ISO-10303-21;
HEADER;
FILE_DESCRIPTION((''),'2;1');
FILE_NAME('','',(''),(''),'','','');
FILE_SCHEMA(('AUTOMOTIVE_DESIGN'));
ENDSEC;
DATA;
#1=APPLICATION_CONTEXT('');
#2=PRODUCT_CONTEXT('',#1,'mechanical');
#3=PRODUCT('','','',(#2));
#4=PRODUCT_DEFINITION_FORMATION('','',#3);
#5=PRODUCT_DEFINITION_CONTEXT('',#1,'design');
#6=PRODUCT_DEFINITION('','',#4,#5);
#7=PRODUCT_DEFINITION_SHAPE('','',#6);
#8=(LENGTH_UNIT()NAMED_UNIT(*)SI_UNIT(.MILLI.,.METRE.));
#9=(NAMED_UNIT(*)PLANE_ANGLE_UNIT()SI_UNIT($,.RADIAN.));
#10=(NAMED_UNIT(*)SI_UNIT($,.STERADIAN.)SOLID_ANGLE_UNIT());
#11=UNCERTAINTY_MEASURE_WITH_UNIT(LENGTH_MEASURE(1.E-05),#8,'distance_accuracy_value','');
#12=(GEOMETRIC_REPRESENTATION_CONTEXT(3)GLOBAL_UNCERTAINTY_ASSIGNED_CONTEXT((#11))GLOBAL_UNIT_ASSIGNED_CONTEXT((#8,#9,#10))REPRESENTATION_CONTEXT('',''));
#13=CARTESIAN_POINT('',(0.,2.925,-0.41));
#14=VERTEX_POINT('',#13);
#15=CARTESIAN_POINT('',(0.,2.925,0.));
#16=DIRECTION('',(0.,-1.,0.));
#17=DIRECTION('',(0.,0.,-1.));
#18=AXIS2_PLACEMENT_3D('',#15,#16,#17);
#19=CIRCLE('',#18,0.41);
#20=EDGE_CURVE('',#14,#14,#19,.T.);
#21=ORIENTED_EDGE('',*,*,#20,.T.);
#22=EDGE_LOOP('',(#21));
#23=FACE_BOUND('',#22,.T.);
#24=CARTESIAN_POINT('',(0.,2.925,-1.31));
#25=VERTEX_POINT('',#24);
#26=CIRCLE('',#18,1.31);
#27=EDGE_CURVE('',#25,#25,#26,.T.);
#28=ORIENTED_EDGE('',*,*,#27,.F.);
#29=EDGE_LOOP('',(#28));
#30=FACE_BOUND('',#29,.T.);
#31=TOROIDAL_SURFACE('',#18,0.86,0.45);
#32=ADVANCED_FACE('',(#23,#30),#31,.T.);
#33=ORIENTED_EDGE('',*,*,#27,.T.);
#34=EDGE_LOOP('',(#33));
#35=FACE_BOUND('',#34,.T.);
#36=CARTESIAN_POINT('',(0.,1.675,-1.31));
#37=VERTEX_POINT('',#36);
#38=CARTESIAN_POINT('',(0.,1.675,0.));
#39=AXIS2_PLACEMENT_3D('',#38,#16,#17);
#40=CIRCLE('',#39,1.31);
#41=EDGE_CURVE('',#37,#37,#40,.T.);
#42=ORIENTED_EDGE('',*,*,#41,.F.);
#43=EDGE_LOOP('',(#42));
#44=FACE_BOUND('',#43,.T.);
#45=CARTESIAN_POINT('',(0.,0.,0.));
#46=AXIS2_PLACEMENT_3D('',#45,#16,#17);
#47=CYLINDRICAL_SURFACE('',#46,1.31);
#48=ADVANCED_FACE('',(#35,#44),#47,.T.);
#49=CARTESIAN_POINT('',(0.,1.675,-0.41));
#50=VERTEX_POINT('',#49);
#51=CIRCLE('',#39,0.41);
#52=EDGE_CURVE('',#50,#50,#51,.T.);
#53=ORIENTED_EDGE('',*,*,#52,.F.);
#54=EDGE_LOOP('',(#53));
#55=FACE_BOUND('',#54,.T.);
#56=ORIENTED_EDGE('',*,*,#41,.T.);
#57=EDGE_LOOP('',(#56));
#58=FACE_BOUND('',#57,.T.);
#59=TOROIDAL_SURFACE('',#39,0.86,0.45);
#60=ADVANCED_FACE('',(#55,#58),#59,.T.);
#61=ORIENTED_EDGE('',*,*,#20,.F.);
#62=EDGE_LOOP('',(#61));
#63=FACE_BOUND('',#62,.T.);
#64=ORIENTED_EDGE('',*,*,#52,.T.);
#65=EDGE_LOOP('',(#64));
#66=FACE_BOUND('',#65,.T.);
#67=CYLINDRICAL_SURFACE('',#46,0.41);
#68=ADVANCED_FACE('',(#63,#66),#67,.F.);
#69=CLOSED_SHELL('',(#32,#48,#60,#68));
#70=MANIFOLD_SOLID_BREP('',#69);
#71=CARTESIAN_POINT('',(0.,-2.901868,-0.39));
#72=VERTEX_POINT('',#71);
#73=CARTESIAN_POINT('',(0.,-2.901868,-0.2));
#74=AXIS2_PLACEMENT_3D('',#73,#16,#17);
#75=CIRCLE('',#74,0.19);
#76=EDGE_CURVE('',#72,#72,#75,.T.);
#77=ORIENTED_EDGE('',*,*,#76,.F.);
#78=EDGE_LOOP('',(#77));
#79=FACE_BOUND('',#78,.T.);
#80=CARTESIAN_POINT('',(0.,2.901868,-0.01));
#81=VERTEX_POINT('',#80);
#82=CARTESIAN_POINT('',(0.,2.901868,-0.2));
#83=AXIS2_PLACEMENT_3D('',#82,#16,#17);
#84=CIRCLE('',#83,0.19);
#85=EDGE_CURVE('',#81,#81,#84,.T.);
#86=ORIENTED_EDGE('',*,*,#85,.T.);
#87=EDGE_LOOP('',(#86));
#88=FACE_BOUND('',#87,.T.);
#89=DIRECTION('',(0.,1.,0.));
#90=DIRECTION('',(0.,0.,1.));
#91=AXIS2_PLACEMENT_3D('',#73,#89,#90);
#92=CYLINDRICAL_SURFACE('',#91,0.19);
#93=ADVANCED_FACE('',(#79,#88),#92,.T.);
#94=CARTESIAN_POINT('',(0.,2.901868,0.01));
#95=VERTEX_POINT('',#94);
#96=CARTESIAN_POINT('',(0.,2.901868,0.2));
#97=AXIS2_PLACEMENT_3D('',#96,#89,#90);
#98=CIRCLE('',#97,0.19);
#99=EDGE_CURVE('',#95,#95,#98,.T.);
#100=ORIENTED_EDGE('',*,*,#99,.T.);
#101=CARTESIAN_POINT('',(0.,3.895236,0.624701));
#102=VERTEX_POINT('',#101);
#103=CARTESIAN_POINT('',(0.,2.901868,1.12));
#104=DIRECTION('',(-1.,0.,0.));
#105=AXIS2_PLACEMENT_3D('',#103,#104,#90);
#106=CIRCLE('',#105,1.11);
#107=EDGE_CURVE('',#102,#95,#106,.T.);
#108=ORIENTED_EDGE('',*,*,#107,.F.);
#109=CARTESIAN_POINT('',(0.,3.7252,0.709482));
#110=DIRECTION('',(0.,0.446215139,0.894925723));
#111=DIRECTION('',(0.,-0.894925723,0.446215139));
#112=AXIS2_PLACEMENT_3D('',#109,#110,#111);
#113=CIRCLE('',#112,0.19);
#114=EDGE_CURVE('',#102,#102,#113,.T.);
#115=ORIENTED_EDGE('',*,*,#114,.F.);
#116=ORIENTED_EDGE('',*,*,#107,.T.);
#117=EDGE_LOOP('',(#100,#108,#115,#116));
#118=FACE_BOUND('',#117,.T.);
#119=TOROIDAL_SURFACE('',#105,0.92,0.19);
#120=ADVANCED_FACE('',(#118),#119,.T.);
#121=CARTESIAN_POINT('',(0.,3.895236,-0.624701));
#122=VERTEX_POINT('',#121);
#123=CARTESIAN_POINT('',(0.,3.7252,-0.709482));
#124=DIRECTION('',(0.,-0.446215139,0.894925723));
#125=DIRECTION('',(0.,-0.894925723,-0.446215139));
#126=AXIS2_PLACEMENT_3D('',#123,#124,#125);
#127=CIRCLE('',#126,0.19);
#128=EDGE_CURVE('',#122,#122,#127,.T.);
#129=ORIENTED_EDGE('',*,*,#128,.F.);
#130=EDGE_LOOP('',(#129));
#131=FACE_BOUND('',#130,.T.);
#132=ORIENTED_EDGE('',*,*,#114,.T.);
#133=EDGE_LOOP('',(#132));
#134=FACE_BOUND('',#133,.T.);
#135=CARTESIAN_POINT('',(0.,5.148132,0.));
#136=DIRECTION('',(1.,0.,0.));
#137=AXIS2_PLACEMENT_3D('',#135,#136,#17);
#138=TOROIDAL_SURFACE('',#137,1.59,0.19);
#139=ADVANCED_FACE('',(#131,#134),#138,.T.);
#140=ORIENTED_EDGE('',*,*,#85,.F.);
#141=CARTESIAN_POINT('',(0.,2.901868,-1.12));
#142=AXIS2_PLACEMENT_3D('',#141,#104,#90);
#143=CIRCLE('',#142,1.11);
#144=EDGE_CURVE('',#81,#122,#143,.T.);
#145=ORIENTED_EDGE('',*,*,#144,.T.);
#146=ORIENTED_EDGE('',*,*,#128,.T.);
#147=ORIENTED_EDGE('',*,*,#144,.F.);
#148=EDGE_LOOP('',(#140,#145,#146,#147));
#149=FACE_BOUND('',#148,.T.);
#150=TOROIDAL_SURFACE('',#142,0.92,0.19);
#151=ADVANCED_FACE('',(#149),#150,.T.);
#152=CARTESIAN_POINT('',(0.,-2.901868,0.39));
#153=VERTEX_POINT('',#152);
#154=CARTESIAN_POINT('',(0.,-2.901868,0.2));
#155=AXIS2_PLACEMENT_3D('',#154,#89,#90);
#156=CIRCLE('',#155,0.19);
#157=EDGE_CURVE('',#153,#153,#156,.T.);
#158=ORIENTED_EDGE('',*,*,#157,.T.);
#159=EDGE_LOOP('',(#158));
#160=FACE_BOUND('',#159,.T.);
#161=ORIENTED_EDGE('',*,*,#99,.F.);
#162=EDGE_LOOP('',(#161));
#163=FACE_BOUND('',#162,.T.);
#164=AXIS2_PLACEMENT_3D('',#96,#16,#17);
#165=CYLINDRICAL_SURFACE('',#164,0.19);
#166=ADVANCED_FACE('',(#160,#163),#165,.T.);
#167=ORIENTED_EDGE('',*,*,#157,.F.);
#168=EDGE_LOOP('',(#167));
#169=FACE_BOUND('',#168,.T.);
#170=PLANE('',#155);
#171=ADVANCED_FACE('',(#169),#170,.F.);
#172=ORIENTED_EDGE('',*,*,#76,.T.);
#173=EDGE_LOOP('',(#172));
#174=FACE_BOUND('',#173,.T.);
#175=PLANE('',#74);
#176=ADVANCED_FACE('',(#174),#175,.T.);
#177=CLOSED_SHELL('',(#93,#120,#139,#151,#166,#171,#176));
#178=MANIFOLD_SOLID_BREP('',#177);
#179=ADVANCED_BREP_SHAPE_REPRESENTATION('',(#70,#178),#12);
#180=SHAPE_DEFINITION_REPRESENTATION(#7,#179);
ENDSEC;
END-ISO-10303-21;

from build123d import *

# Parameters (mm, degrees)
SKETCH2_R = 0.19


with BuildPart() as part:
    # Sweep3: sweep along a path in Sketch1
    with BuildLine(Plane(origin=(0, 0, 0), x_dir=(0, 0, -1), z_dir=(1, 0, 0))) as sweep3_path:
        Line((-0.36, -2.901868218), (-0.36, 2.901868218))
        ThreePointArc((-0.36, 2.901868218), (-0.473728438, 3.301784544), (-0.780876494, 3.582011767))
        ThreePointArc((-0.780876494, 3.582011767), (0, 6.898131782), (0.780876494, 3.582011767))
        ThreePointArc((0.780876494, 3.582011767), (0.473728438, 3.301784544), (0.36, 2.901868218))
        Line((0.36, 2.901868218), (0.36, -2.901868218))
    # Sketch2 → Sweep3 (sweep)
    with BuildSketch(Plane(origin=(0, 0, 0), x_dir=(1, 0, 0), z_dir=(0, 1, 0))):
        with Locations((0, -0.2)):
            Circle(SKETCH2_R)
    sweep(path=sweep3_path.line)


with BuildPart() as body_2:
    # Sketch8 → Revolve1 (revolve)
    with BuildSketch(Plane(origin=(0, 0, 0), x_dir=(0, 0, -1), z_dir=(1, 0, 0)), mode=Mode.PRIVATE) as revolve1_sk:
        with BuildLine():
            Line((-0.41, 2.925), (-0.41, 1.675))
            ThreePointArc((-0.41, 1.675), (-0.86, 1.225), (-1.31, 1.675))
            Line((-1.31, 1.675), (-1.31, 2.925))
            ThreePointArc((-1.31, 2.925), (-0.86, 3.375), (-0.41, 2.925))
        make_face()
    revolve(revolve1_sk.sketch.rotate(Axis((0, 0, 0), (0, 1, 0)), 180), axis=Axis((0, 0, 0), (0, 1, 0)))


solid = Compound([part.part, body_2.part])
